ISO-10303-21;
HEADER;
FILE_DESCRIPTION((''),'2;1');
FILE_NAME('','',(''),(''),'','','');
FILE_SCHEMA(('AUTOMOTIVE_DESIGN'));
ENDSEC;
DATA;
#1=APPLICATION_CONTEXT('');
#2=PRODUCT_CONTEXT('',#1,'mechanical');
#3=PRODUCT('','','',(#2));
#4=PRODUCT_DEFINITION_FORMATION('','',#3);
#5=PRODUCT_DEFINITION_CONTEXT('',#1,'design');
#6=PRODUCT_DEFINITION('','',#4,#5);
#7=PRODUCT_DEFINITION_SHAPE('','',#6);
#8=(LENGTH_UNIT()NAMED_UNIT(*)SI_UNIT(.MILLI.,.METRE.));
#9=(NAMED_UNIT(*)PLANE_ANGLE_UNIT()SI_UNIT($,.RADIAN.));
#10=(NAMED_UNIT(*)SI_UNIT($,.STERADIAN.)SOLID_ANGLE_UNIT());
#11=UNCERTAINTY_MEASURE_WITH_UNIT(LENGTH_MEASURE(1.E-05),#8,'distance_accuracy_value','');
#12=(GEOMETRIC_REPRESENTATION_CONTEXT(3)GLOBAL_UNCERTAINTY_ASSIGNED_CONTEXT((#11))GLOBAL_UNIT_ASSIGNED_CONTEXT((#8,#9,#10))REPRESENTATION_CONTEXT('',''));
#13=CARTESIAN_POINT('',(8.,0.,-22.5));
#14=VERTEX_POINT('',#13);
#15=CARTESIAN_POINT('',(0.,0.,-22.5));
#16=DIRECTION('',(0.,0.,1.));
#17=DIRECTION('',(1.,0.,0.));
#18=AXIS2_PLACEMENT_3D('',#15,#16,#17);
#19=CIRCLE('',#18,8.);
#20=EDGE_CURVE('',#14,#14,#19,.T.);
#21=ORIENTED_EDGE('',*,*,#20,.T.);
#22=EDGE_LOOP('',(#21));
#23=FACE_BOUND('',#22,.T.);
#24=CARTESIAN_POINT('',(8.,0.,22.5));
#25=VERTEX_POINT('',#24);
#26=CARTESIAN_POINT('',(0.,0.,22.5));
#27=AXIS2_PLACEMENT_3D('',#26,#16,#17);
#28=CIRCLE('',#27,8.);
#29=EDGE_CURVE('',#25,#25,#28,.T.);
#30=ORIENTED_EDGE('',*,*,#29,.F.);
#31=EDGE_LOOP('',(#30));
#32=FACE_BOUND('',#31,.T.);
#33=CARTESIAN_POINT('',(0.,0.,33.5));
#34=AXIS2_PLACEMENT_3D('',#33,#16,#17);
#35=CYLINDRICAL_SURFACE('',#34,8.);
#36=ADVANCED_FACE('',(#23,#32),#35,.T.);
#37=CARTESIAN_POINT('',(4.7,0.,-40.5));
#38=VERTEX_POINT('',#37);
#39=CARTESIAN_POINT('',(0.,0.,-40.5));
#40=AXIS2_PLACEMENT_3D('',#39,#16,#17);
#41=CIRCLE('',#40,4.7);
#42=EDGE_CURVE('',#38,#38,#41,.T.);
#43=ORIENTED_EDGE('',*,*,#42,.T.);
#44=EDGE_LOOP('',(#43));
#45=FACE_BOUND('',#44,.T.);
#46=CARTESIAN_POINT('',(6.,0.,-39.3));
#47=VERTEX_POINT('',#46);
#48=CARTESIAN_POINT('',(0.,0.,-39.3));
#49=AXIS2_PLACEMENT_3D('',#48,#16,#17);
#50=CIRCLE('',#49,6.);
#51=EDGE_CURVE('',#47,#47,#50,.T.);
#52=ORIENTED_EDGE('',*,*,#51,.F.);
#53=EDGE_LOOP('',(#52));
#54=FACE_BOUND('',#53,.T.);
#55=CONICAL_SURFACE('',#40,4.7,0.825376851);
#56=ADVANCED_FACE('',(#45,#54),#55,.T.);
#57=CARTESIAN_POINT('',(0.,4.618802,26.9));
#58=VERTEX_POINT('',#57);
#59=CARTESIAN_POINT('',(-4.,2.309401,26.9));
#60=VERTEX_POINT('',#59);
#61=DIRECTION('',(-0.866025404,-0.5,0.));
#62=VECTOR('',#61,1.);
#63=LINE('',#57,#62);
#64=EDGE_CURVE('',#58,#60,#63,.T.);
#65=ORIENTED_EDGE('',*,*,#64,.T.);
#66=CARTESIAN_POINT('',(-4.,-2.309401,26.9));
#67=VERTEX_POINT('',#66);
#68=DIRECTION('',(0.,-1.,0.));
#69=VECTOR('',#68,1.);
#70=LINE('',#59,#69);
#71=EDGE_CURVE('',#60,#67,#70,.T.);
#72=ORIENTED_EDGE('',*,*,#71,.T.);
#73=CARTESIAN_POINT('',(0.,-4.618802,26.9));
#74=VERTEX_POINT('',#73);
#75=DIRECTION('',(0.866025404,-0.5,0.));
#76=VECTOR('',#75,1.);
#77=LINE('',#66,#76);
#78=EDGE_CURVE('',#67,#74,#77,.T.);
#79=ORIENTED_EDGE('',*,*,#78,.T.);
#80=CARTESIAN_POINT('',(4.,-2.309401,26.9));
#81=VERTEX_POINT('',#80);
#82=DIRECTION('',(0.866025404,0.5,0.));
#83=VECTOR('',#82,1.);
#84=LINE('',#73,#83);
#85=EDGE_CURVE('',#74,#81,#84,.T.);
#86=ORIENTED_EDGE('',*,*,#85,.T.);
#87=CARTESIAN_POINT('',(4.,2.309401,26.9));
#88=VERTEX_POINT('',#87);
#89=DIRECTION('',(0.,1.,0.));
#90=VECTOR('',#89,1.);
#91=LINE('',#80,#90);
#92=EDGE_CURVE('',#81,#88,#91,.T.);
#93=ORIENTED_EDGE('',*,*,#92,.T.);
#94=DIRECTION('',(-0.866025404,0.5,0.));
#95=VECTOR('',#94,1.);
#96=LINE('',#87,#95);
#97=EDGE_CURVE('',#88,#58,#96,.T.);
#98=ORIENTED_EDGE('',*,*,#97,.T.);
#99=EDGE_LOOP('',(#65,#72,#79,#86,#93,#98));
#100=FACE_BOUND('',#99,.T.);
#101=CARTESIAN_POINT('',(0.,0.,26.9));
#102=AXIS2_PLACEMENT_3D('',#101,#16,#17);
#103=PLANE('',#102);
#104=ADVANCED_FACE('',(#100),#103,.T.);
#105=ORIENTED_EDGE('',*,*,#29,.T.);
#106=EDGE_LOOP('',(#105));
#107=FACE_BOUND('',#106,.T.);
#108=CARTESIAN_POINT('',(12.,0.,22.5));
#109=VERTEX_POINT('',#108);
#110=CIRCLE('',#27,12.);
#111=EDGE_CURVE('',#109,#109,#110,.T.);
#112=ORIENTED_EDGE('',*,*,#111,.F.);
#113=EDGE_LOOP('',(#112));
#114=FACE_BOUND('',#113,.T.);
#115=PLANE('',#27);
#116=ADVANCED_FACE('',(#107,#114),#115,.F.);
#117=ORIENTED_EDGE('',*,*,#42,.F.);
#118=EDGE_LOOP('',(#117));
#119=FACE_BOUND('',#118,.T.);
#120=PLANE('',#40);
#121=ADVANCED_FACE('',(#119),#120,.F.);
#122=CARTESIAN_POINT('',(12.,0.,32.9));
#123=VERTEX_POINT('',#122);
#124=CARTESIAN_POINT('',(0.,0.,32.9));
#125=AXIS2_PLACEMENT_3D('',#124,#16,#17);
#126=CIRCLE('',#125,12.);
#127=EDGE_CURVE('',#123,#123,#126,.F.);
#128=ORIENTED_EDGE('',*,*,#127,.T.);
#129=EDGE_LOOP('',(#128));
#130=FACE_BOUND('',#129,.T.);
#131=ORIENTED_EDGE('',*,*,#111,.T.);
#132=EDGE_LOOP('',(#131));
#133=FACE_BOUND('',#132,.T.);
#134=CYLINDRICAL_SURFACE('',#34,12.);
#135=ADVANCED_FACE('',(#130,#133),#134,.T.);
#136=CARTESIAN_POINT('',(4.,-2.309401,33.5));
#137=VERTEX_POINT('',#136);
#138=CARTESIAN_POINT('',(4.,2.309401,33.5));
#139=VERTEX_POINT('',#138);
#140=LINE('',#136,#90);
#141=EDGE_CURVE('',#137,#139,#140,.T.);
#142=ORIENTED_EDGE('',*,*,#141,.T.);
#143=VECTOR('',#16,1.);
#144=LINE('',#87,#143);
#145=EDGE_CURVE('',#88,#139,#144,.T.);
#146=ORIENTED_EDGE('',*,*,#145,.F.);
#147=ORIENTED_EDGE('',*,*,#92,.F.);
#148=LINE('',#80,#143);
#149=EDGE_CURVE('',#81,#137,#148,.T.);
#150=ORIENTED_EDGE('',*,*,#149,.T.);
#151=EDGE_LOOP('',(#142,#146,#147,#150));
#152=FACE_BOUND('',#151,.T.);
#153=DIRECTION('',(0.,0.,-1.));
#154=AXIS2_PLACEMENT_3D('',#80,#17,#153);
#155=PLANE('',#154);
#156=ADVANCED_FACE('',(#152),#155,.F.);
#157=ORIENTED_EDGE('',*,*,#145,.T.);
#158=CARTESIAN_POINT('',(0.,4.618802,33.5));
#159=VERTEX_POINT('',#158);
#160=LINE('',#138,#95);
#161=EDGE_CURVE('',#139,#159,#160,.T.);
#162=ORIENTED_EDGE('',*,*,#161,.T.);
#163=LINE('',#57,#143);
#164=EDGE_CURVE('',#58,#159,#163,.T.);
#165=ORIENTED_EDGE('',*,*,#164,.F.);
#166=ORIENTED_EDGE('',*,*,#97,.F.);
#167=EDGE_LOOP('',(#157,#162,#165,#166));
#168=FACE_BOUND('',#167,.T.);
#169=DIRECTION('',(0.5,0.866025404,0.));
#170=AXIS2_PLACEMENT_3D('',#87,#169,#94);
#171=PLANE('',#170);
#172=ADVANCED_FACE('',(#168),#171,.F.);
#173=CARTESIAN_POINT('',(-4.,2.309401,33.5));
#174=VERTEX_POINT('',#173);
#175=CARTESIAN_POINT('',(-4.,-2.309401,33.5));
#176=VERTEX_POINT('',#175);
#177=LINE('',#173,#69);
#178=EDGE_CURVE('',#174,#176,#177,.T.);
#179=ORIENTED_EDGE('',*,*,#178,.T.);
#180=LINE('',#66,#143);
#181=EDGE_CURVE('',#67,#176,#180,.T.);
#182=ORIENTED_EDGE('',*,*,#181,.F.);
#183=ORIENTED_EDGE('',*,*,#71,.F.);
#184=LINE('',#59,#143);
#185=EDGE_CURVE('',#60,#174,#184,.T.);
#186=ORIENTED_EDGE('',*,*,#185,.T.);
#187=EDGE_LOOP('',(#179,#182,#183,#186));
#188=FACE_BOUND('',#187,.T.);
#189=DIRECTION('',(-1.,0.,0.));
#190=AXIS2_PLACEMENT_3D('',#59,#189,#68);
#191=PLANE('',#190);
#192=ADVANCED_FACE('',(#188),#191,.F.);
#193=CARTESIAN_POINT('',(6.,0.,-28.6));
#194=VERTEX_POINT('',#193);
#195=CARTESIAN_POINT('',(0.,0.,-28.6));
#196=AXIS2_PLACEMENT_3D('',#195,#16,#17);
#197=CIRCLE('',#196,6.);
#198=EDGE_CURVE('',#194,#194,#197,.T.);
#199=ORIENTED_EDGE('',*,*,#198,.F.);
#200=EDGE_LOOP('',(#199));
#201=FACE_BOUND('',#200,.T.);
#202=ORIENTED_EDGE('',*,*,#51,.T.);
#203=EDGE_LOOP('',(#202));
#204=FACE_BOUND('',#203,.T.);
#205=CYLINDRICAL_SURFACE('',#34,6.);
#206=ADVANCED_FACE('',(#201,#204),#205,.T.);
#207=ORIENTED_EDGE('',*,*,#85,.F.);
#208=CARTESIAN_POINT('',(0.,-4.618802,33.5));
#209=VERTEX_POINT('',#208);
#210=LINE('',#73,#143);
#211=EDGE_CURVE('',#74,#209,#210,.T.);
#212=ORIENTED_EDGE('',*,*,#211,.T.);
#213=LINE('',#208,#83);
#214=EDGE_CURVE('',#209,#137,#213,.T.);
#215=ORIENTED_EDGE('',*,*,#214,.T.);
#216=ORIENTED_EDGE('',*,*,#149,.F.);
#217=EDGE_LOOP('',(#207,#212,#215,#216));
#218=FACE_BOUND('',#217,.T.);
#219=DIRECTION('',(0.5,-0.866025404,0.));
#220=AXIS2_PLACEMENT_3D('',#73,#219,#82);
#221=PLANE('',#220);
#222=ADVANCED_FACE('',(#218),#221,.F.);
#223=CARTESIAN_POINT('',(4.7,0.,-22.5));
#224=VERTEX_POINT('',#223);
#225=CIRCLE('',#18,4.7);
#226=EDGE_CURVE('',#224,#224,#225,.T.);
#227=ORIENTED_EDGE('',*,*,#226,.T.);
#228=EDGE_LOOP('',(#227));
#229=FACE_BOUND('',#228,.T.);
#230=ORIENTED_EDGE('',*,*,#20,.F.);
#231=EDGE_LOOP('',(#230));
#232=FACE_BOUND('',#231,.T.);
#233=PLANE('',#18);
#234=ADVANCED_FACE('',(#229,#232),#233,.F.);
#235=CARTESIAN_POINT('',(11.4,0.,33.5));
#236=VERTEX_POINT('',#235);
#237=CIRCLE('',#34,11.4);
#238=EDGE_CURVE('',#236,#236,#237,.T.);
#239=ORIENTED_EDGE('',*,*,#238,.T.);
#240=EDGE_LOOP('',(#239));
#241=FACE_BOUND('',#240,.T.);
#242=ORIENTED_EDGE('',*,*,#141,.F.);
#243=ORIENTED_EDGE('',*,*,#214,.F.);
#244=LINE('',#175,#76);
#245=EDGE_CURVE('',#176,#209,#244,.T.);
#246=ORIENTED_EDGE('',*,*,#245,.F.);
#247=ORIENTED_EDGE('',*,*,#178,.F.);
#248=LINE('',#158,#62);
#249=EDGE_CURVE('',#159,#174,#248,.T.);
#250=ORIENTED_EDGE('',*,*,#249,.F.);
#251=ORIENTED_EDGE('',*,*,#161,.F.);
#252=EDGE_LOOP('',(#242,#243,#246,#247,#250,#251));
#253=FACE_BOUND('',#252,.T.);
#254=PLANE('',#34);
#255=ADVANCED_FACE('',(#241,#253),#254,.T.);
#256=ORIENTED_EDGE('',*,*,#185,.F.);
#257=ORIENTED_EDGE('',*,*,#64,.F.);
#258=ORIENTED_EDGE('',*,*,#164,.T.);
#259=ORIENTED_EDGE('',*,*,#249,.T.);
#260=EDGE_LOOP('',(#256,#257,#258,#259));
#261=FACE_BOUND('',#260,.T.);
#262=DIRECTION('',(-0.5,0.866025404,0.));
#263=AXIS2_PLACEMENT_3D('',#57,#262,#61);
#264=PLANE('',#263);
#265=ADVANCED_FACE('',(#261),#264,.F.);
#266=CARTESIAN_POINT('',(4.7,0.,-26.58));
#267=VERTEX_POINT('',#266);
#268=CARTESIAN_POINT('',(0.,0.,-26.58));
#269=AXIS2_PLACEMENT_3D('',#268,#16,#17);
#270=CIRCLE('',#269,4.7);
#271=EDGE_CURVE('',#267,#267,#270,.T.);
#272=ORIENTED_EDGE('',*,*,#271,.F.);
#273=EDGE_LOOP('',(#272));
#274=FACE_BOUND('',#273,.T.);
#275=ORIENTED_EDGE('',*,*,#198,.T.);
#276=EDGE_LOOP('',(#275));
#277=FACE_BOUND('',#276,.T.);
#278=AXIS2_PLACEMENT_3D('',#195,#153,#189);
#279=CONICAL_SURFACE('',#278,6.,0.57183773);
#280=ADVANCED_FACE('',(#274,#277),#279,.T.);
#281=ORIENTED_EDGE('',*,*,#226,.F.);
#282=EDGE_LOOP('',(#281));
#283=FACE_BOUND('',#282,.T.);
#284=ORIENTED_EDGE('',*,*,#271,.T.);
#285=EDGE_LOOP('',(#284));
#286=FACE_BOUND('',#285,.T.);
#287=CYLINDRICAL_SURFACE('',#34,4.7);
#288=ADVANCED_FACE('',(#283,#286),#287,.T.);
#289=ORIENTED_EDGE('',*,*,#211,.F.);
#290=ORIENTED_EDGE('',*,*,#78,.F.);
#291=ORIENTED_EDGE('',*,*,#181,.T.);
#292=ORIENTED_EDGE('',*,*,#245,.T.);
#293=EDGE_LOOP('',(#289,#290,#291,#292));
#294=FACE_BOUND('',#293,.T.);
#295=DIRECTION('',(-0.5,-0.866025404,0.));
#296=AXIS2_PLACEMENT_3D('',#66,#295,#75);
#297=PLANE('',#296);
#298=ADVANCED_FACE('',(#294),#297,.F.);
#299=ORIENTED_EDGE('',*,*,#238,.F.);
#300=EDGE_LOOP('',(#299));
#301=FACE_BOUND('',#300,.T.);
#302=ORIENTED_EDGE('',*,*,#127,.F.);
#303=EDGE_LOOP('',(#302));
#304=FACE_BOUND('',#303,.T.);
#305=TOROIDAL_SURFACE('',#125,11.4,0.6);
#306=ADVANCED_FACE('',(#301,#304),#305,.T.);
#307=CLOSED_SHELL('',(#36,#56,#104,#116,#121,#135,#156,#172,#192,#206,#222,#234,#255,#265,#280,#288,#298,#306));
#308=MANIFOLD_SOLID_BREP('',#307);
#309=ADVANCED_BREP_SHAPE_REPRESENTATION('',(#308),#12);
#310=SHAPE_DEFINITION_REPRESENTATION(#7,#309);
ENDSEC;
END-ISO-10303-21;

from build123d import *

# Parameters (mm, degrees)
SZKIC1_W                   = 4.7
SZKIC1_H                   = 4.08
WYTNIJ_WYCI_GNI_CIE1_DEPTH = 6.6
ZAOKR_GLENIE1_R            = 0.6


with BuildPart() as part:
    # Szkic1 → Obrót1 (revolve)
    with BuildSketch(Plane(origin=(0, 0, 0), x_dir=(1, 0, 0), z_dir=(0, 1, 0)), mode=Mode.PRIVATE) as obr_t1_sk:
        Polygon((0, -33.5), (0, -22.5), (-8, -22.5), (-12, -22.5), (-12, -33.5), align=None)
        Polygon((0, -22.5), (0, 22.5), (-4.7, 22.5), (-8, 22.5), (-8, -22.5), align=None)
        with Locations((-2.35, 24.54)):
            Rectangle(SZKIC1_W, SZKIC1_H)
        Polygon((-4.7, 26.58), (0, 26.58), (0, 40.5), (-4.7, 40.5), (-6, 39.3), (-6, 28.6), align=None)
    revolve(obr_t1_sk.sketch.rotate(Axis((0, 0, 33.5), (0, 0, -1)), 180), axis=Axis((0, 0, 33.5), (0, 0, -1)))

    # Szkic2 → Wytnij-wyciągnięcie1 (cut)
    with BuildSketch(Plane.XY.offset(33.5)):
        Polygon((4, 2.309401077), (0, 4.618802154), (-4, 2.309401077), (-4, -2.309401077), (0, -4.618802154), (4, -2.309401077), align=None)
    extrude(amount=-WYTNIJ_WYCI_GNI_CIE1_DEPTH, mode=Mode.SUBTRACT)

    # Zaokrąglenie1
    zaokr_glenie1_edges = [part.edges().sort_by_distance(p)[0] for p in [
        (-12, 0, 33.5),
    ]]
    fillet(zaokr_glenie1_edges, radius=ZAOKR_GLENIE1_R)


solid = part.part
